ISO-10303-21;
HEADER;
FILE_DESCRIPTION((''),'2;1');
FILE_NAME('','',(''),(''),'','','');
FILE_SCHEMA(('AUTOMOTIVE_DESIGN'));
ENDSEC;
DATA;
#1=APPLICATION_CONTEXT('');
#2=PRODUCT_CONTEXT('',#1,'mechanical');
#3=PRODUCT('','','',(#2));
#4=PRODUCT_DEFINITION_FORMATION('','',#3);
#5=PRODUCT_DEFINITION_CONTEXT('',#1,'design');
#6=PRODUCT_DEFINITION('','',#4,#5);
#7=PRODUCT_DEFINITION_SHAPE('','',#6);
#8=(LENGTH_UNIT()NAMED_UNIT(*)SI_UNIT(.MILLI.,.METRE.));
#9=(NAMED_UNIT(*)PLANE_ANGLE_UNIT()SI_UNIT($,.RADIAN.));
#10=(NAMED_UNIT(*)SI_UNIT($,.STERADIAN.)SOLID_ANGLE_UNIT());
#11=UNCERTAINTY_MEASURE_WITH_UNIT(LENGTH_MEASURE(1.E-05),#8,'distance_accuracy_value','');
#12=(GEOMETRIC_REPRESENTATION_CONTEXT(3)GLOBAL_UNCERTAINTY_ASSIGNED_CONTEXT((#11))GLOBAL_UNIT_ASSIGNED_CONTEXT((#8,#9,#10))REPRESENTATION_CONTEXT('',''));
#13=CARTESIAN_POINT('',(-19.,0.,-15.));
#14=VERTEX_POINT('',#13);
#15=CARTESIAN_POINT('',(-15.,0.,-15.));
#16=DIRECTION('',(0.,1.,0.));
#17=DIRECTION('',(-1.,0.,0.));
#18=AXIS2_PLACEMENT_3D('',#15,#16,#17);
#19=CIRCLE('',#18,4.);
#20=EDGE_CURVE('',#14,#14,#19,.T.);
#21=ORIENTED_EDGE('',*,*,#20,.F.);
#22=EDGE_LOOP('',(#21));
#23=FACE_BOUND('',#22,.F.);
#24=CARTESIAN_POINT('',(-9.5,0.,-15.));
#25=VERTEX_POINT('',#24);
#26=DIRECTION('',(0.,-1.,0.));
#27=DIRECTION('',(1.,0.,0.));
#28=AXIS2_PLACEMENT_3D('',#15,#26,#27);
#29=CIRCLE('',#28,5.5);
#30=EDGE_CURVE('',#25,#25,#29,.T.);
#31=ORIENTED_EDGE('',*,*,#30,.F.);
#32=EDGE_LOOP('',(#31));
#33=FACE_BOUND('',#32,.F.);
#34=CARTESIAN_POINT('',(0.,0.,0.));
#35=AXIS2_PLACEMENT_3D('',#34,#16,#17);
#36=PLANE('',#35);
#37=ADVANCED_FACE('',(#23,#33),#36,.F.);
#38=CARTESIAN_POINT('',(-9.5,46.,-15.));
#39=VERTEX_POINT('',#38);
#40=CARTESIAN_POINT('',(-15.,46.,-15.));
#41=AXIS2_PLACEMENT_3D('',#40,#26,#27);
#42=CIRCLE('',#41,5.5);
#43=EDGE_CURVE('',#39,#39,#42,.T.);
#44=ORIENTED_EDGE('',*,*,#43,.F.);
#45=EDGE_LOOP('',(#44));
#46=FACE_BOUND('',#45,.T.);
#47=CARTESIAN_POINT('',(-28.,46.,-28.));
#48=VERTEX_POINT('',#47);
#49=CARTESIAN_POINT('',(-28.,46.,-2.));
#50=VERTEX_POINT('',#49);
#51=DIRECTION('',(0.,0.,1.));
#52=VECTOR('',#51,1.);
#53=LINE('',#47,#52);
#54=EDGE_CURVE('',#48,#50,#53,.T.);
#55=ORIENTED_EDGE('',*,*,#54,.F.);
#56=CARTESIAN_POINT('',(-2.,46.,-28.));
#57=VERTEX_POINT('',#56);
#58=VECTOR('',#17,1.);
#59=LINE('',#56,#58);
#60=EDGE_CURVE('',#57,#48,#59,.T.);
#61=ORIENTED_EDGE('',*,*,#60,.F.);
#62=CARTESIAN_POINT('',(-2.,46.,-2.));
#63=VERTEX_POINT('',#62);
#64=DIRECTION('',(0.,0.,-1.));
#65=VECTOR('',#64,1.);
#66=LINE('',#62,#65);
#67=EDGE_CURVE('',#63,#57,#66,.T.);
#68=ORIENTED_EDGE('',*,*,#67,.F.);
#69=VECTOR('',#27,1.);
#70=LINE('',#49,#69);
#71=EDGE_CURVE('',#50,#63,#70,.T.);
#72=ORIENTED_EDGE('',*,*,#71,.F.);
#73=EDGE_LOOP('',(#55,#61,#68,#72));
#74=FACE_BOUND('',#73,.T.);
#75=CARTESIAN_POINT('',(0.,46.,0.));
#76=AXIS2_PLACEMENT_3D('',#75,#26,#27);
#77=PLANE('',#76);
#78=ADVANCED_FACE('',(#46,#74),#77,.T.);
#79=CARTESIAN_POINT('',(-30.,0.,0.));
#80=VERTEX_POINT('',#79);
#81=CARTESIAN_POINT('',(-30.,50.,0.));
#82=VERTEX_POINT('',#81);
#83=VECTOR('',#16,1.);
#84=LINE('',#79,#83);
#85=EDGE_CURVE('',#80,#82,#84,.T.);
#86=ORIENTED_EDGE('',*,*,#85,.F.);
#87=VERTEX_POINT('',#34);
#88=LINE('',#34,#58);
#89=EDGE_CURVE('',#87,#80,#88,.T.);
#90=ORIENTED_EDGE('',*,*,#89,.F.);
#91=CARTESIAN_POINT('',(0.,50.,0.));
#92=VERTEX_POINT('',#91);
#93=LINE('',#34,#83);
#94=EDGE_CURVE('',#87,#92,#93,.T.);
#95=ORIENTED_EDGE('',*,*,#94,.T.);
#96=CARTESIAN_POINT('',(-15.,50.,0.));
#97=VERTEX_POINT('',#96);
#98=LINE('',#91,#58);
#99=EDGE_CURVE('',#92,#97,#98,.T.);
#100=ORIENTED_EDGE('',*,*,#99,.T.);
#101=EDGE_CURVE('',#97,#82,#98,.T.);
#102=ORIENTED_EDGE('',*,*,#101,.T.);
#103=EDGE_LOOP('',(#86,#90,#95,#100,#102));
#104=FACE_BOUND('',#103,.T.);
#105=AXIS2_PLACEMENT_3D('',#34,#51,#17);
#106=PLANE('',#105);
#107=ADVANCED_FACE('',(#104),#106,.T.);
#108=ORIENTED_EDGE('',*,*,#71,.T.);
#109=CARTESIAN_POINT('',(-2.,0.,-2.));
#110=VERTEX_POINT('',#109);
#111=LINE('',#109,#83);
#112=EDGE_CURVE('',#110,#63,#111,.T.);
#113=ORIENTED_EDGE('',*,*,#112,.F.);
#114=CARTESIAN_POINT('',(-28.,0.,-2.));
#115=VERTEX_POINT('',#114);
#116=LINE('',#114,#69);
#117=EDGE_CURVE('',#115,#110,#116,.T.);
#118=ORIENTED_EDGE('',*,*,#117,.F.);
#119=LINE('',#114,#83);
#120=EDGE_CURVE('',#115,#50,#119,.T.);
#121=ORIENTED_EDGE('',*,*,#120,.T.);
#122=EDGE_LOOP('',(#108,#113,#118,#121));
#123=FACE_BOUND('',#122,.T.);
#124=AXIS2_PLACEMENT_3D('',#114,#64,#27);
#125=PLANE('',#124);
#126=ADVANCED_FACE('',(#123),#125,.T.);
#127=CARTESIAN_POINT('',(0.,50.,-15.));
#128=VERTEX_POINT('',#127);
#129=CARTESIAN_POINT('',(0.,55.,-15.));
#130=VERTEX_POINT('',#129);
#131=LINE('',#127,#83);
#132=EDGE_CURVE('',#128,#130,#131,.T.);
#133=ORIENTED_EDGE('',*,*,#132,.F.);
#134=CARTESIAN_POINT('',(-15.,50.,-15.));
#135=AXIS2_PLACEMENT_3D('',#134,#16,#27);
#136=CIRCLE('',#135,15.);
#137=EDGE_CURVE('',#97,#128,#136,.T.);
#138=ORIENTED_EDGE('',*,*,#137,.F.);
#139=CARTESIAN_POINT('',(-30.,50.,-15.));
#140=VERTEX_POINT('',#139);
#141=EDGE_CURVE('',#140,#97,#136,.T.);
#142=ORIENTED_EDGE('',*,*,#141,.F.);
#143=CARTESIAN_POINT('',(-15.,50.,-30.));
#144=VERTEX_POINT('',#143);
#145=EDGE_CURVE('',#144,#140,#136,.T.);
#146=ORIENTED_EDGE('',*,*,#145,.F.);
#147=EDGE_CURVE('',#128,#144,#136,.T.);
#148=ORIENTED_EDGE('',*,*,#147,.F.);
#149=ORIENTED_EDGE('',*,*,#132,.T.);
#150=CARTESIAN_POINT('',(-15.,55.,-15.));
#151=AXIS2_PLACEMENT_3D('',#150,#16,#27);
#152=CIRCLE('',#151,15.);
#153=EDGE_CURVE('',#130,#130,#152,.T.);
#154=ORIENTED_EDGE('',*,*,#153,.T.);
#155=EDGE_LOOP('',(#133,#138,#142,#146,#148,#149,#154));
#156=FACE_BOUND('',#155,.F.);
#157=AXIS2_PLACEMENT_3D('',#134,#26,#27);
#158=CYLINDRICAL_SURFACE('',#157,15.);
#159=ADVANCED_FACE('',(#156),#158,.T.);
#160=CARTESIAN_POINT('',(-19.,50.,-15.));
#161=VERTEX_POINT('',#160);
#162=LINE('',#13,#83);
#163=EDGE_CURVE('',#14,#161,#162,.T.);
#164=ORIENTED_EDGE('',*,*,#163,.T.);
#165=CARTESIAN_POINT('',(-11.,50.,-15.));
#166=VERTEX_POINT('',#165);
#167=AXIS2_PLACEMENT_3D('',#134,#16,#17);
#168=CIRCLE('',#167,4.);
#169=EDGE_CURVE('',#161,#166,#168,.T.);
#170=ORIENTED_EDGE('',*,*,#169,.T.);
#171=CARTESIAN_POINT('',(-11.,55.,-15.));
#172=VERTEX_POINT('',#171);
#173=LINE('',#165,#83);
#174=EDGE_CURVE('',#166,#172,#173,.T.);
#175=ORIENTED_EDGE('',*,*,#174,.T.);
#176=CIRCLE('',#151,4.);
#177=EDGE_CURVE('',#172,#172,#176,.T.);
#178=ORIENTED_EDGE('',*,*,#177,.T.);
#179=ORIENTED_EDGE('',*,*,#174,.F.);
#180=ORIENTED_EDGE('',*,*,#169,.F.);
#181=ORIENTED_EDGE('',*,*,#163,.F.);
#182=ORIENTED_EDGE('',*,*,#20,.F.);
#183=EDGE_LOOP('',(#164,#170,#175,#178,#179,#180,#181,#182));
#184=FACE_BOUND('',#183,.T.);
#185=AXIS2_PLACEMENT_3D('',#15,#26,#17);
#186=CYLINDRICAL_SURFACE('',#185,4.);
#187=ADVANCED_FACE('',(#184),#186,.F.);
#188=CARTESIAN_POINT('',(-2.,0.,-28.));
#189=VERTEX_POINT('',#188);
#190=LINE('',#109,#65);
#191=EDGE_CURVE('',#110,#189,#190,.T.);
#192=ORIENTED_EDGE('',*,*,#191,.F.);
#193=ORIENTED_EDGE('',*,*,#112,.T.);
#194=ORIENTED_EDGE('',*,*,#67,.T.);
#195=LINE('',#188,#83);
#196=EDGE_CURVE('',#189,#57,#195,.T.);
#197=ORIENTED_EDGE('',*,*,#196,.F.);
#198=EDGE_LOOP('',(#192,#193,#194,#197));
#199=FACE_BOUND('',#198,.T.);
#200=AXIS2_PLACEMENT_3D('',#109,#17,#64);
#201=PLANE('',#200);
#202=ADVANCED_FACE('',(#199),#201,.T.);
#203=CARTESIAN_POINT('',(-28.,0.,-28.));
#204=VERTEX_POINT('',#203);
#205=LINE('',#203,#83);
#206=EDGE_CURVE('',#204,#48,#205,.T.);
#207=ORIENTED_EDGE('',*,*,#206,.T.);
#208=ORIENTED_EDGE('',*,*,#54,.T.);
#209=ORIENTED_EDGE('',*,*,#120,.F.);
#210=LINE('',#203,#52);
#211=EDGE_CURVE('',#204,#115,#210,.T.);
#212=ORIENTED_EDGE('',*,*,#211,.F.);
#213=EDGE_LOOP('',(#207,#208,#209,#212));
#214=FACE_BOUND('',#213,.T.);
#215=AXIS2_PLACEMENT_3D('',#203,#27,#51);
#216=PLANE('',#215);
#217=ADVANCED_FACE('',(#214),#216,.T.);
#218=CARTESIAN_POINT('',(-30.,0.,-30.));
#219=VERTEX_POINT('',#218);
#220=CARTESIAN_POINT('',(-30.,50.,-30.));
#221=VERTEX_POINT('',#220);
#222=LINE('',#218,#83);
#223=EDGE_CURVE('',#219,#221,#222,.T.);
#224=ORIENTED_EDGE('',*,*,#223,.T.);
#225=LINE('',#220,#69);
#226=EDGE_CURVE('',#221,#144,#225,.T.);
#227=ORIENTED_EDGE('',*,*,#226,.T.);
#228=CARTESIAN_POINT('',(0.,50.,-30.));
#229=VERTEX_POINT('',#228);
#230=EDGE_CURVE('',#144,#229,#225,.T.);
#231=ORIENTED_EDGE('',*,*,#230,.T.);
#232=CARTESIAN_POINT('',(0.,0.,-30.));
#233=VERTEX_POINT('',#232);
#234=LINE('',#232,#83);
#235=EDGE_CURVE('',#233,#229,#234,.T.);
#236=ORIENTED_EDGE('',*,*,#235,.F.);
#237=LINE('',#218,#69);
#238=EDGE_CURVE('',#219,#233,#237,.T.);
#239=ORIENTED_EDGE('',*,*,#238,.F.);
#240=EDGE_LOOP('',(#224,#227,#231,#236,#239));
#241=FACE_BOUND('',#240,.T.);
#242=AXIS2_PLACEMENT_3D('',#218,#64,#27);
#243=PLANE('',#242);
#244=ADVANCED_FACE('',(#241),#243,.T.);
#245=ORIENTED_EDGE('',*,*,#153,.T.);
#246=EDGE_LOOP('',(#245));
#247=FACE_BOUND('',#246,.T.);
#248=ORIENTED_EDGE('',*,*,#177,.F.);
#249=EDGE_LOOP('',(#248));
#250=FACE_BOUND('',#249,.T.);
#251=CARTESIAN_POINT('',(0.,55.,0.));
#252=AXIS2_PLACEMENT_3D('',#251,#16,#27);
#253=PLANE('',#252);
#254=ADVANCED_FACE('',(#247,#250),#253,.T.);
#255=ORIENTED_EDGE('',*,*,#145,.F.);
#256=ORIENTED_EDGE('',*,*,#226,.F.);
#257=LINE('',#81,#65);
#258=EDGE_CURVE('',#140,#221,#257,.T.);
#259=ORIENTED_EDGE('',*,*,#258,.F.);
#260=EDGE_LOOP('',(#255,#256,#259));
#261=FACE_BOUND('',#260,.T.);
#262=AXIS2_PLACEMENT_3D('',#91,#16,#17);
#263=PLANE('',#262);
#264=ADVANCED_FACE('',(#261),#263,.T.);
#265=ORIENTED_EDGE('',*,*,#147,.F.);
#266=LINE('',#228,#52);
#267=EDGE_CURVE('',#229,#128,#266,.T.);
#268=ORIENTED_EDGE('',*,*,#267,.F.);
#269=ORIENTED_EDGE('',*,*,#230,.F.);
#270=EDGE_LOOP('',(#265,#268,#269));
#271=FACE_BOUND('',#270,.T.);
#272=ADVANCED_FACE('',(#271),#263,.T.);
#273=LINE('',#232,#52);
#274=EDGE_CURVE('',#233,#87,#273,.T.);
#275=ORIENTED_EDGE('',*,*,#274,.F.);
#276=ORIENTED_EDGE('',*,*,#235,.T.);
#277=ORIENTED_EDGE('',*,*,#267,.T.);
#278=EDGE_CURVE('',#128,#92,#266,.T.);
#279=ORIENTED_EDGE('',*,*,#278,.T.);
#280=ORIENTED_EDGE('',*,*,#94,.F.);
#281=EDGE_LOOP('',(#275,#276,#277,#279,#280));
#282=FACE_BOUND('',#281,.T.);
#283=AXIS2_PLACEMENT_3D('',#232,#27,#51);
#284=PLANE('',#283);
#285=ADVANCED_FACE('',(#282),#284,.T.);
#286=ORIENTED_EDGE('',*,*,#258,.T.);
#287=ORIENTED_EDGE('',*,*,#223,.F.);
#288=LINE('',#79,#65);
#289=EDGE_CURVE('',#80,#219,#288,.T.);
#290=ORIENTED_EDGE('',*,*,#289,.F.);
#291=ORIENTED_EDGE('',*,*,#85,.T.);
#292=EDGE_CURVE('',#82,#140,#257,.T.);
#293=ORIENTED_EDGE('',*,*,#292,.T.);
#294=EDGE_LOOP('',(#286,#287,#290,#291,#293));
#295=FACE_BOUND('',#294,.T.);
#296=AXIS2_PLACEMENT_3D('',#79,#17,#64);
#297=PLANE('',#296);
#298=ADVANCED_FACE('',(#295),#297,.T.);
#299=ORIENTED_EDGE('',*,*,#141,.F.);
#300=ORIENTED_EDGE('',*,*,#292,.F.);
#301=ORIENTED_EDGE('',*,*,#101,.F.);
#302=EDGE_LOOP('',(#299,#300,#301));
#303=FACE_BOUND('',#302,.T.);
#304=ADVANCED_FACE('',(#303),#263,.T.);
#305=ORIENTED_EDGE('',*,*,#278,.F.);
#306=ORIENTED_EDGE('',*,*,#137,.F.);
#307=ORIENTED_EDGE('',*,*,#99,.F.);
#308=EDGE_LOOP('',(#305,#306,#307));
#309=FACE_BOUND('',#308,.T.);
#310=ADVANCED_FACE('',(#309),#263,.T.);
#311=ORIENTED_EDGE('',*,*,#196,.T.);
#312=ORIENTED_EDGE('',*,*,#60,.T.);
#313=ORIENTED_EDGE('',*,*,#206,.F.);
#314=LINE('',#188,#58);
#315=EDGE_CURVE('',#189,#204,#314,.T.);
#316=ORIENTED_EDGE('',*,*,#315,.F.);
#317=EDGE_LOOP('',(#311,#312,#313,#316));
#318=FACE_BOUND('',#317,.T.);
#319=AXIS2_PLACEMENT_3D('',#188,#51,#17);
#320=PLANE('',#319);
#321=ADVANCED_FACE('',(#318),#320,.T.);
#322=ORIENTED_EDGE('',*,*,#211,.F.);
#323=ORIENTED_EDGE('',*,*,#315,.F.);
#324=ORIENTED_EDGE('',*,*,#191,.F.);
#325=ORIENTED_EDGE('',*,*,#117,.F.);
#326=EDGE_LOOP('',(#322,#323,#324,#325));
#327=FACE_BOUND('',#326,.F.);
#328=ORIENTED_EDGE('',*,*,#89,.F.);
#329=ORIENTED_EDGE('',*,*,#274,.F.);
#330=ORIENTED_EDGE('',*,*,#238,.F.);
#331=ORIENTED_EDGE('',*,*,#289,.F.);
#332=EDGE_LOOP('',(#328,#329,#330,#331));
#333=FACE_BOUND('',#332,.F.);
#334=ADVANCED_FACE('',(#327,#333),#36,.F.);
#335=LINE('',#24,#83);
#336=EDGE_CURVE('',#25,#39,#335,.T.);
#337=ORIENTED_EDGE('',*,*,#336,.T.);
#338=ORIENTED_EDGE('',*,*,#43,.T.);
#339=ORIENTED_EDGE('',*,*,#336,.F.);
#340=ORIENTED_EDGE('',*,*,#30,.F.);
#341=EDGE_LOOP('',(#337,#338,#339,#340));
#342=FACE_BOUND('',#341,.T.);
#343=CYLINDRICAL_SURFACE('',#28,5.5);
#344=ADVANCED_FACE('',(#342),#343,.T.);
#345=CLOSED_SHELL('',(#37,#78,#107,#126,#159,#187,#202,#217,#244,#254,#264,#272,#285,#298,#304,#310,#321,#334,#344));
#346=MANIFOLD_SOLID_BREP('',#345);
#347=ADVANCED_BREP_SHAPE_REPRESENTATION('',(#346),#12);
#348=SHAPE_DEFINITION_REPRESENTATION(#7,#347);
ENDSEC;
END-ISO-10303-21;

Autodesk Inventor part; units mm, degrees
ref_plane "YZ Plane" through (0, 0, 0) normal (1, 0, 0) x (0, 1, 0)
ref_plane "XZ Plane" through (0, 0, 0) normal (0, 1, 0) x (-1, 0, 0)
ref_plane "XY Plane" through (0, 0, 0) normal (0, 0, 1) x (1, 0, 0)
sketch "Boceto1" plane through (0, 0, 0) normal (0, 1, 0) x (-1, 0, 0)
  line L0 (0, 0) -> (30, 0)
  line L1 (30, 0) -> (30, -30)
  line L2 (30, -30) -> (0, -30)
  line L3 (0, -30) -> (0, 0)
  circle A0 centre (15, -15) radius 4
  dimension "d0" = 30
  dimension "d1" = 30
  dimension "d2" = 8
extrude "Extrusión1" add sketch "Boceto1" along normal blind 50
sketch "Boceto2" plane through (0, 50, 0) normal (0, 1, 0) x (1, 0, 0)
  circle A0 centre (-15, 15) radius 4 projected
  circle A1 centre (-15, 15) radius 15
  point P0 (0, 0)
  dimension "d5" = 30
extrude "Extrusión2" add sketch "Boceto2" along normal blind 5
sketch "Boceto3" plane through (0, 0, 0) normal (0, -1, 0) x (1, 0, 0)
  circle A0 centre (-15, -15) radius 4 projected
  circle A1 centre (-15, -15) radius 5.5
  line L0 (-2, -28) -> (-28, -28)
  line L1 (-28, -28) -> (-28, -2)
  line L2 (-28, -2) -> (-2, -2)
  line L3 (-2, -2) -> (-2, -28)
  line L4 (-2, -28) -> (-28, -2) construction
  line L5 (-28, -28) -> (-2, -2) construction
  point P0 (0, 0)
  dimension "d8" = 11
  dimension "d9" = 26
  dimension "d10" = 26
extrude "Extrusión3" cut sketch "Boceto3" against normal blind 46 contours L0 L1 L2 L3
properties part number "Troncox1"
